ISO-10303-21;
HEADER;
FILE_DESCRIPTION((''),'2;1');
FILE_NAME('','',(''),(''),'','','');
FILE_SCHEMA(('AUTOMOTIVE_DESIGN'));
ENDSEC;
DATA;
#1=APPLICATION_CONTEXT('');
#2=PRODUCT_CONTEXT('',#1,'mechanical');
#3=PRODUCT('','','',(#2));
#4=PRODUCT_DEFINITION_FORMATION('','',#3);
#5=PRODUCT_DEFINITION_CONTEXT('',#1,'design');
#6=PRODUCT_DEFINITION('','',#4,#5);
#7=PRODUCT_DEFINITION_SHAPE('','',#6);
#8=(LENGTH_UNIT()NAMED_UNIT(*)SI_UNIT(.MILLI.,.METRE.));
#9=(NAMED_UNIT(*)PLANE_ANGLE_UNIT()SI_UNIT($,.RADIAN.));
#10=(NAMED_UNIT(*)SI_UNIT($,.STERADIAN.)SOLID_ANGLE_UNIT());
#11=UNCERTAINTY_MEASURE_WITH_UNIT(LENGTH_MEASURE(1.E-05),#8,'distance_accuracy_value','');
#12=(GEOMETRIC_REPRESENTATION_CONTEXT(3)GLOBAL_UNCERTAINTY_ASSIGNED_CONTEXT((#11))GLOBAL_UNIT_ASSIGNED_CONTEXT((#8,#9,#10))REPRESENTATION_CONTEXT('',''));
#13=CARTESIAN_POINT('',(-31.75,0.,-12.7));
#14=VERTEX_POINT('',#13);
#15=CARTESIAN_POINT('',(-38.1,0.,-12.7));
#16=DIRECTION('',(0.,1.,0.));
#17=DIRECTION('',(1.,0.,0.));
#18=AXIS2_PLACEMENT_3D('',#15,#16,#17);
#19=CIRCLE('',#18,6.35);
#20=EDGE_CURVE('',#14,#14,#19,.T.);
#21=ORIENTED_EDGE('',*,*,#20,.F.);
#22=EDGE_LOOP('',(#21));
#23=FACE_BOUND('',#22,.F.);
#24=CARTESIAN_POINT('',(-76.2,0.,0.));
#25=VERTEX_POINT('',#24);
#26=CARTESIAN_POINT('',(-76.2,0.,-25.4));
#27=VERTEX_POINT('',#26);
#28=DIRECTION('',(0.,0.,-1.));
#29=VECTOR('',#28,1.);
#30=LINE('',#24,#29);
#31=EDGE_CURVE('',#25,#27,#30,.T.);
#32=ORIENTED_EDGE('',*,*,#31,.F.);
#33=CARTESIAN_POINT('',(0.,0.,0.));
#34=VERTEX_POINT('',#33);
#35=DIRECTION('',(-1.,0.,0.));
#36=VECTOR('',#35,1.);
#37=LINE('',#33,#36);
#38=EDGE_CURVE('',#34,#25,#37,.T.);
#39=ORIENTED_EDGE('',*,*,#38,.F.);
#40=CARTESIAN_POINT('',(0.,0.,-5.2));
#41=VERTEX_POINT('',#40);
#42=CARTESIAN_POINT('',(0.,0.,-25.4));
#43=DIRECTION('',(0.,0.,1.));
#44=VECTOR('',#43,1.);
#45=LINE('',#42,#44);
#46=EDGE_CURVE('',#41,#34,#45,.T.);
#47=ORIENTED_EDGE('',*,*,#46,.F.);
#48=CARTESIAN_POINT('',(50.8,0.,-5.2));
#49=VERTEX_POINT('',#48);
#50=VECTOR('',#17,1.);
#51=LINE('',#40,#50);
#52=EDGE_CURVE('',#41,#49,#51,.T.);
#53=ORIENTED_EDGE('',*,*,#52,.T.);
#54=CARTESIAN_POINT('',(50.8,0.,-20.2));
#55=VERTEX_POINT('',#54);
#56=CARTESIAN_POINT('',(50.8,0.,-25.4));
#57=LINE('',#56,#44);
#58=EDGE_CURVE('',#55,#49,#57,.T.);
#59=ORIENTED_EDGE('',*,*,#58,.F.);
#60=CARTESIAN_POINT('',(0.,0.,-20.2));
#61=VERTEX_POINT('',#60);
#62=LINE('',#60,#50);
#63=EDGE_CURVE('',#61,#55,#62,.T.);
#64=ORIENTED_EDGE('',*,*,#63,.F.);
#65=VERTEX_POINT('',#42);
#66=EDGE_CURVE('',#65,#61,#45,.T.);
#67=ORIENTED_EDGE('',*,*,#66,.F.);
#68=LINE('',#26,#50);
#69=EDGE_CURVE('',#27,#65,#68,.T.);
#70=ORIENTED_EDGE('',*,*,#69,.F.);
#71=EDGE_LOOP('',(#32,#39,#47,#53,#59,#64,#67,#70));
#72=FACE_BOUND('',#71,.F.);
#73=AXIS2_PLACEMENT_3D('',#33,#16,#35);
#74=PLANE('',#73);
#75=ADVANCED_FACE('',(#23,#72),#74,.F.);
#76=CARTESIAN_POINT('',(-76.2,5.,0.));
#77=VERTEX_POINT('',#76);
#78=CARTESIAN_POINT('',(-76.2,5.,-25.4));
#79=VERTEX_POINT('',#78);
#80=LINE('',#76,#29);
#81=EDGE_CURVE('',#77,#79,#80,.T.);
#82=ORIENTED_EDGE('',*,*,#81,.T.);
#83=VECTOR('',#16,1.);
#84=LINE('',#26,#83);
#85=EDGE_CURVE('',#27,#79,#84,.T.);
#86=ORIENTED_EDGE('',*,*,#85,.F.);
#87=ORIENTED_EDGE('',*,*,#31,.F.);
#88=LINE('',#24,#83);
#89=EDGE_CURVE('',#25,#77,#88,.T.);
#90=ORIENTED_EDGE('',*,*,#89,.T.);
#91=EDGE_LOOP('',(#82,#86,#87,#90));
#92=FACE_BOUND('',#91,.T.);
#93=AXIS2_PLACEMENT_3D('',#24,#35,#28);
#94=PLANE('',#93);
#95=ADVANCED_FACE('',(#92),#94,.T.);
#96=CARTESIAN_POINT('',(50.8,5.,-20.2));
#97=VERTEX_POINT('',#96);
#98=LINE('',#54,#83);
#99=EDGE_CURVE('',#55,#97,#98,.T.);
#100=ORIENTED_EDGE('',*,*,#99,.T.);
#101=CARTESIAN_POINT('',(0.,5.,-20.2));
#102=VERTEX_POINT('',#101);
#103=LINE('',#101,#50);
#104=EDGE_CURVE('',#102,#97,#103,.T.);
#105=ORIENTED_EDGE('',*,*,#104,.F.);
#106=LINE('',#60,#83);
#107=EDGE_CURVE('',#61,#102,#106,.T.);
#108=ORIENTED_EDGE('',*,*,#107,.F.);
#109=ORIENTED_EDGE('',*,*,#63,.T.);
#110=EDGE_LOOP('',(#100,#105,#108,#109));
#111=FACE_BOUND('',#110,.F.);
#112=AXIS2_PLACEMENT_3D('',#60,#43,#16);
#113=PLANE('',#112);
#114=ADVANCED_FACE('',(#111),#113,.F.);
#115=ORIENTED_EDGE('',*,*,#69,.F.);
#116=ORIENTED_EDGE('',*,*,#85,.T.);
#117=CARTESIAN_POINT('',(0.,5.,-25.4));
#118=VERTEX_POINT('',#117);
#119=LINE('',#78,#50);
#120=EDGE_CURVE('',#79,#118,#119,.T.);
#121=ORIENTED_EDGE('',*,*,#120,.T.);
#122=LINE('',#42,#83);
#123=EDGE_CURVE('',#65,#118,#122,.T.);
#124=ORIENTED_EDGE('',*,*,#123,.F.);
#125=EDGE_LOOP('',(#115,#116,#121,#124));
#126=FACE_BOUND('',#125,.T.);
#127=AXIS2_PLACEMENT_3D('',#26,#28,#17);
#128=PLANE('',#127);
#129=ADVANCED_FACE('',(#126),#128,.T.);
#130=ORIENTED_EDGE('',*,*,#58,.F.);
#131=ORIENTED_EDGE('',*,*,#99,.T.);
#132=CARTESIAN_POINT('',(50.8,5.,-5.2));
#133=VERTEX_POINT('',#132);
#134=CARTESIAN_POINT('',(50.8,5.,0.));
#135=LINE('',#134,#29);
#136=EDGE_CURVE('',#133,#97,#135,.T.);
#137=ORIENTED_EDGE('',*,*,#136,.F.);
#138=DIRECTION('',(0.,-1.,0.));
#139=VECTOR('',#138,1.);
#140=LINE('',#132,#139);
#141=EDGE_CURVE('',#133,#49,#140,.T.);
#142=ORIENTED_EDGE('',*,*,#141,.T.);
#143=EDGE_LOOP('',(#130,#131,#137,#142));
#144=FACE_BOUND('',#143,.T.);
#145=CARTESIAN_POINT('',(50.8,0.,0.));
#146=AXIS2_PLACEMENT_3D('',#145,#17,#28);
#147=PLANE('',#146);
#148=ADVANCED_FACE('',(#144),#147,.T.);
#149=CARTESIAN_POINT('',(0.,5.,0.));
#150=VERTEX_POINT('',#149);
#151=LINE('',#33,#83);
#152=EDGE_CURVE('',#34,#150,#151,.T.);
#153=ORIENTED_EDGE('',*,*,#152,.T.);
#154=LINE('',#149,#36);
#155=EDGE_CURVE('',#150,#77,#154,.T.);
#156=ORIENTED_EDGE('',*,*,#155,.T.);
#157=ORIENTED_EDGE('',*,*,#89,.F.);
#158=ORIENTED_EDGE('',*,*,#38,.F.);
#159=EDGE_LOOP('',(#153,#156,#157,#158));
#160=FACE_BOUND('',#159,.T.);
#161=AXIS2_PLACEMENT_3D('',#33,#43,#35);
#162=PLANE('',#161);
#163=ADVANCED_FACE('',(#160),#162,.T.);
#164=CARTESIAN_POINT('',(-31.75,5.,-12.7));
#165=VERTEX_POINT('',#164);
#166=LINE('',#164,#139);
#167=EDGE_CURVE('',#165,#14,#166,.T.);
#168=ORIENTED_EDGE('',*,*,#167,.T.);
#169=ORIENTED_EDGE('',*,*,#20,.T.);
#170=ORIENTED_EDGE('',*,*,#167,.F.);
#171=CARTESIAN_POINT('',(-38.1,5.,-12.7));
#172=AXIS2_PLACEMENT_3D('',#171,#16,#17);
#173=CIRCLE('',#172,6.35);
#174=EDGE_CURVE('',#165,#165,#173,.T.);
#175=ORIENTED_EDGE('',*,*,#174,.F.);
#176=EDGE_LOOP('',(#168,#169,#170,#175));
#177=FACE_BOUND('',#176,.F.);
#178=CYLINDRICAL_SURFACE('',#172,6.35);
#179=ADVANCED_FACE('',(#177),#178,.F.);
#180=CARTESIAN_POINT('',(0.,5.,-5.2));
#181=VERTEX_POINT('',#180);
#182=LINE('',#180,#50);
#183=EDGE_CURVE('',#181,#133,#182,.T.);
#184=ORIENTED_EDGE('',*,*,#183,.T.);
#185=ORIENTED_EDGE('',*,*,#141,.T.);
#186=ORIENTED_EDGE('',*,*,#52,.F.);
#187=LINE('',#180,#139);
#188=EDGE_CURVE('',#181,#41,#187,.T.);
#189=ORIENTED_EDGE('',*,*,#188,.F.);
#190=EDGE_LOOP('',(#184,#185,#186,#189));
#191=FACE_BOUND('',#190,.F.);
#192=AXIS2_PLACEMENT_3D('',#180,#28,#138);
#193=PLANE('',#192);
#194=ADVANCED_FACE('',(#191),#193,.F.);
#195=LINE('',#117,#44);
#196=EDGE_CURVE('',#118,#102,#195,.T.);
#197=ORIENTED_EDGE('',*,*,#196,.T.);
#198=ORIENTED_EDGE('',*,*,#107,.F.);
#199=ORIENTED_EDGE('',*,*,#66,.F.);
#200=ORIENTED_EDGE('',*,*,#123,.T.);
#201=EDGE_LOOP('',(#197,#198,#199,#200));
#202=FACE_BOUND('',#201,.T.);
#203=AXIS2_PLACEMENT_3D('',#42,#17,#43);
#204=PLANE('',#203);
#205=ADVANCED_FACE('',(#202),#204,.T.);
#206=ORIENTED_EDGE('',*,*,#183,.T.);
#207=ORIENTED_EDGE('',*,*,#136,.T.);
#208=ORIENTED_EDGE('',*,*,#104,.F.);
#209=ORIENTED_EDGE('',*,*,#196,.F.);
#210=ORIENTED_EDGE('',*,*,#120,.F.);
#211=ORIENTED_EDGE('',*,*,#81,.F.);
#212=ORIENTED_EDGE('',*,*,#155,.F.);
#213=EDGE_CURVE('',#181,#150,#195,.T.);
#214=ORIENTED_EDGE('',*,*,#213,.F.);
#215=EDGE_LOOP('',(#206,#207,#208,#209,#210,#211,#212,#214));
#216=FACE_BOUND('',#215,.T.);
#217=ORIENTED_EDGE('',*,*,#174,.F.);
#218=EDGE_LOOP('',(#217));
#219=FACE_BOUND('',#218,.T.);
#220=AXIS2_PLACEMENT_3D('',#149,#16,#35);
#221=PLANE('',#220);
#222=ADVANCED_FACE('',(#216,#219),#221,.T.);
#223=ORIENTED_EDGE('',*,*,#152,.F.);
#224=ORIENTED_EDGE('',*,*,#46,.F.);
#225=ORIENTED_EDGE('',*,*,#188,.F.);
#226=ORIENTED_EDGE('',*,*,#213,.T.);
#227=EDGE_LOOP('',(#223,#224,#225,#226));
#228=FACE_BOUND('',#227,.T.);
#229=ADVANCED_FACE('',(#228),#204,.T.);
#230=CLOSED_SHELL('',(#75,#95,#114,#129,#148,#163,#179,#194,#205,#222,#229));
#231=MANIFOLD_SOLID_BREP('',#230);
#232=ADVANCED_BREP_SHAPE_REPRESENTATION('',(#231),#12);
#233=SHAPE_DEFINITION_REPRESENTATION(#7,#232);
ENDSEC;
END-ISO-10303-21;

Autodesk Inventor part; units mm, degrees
ref_plane "YZ Plane" through (0, 0, 0) normal (1, 0, 0) x (0, 1, 0)
ref_plane "XZ Plane" through (0, 0, 0) normal (0, 1, 0) x (-1, 0, 0)
ref_plane "XY Plane" through (0, 0, 0) normal (0, 0, 1) x (1, 0, 0)
sketch "Sketch1" plane through (0, 0, 0) normal (0, 1, 0) x (-1, 0, 0)
  line L0 (0, 0) -> (76.2, 0)
  line L1 (76.2, 0) -> (76.2, -25.4)
  line L2 (76.2, -25.4) -> (0, -25.4)
  line L3 (0, -25.4) -> (0, 0)
  dimension "d0" = 25.4
  dimension "d1" = 76.2
extrude "Extrusion1" add sketch "Sketch1" along normal blind 5
sketch "Sketch2" plane through (0, 0, 0) normal (1, 0, 0) x (0, 0, -1)
  line L0 (25.4, 0) -> (0, 0) projected
  line L1 (25.4, 0) -> (25.4, 5) projected
  line L2 (0, 5) -> (25.4, 5) projected
  line L3 (0, 0) -> (0, 5) projected
  line L4 (5.2, 0) -> (20.2, 0)
  line L5 (20.2, 0) -> (20.2, 5)
  line L6 (20.2, 5) -> (5.2, 5)
  line L7 (5.2, 5) -> (5.2, 0)
  dimension "d4" = 15
  dimension "d5" = 25.4
  dimension "d6" = 5.2
extrude "Extrusion2" add sketch "Sketch2" along normal blind 50.8 contours L0 L7 L2 L5
sketch "Sketch4" plane through (0, 5, 0) normal (0, 1, 0) x (1, 0, 0)
  circle A0 centre (-38.1, 12.7) radius 6.35
  line L0 (0, 20.2) -> (0, 25.4) projected
  line L1 (-76.2, 0) -> (0, 0) projected
  dimension "d12" = 12.7
  dimension "d13" = 38.1
  dimension "d14" = 12.7
extrude "Extrusion4" cut sketch "Sketch4" against normal blind 50.8
equation "\"d6\" = -0.5 * d4 + 0.5 * d5"
properties part number "TSV+In" material "Steel"
